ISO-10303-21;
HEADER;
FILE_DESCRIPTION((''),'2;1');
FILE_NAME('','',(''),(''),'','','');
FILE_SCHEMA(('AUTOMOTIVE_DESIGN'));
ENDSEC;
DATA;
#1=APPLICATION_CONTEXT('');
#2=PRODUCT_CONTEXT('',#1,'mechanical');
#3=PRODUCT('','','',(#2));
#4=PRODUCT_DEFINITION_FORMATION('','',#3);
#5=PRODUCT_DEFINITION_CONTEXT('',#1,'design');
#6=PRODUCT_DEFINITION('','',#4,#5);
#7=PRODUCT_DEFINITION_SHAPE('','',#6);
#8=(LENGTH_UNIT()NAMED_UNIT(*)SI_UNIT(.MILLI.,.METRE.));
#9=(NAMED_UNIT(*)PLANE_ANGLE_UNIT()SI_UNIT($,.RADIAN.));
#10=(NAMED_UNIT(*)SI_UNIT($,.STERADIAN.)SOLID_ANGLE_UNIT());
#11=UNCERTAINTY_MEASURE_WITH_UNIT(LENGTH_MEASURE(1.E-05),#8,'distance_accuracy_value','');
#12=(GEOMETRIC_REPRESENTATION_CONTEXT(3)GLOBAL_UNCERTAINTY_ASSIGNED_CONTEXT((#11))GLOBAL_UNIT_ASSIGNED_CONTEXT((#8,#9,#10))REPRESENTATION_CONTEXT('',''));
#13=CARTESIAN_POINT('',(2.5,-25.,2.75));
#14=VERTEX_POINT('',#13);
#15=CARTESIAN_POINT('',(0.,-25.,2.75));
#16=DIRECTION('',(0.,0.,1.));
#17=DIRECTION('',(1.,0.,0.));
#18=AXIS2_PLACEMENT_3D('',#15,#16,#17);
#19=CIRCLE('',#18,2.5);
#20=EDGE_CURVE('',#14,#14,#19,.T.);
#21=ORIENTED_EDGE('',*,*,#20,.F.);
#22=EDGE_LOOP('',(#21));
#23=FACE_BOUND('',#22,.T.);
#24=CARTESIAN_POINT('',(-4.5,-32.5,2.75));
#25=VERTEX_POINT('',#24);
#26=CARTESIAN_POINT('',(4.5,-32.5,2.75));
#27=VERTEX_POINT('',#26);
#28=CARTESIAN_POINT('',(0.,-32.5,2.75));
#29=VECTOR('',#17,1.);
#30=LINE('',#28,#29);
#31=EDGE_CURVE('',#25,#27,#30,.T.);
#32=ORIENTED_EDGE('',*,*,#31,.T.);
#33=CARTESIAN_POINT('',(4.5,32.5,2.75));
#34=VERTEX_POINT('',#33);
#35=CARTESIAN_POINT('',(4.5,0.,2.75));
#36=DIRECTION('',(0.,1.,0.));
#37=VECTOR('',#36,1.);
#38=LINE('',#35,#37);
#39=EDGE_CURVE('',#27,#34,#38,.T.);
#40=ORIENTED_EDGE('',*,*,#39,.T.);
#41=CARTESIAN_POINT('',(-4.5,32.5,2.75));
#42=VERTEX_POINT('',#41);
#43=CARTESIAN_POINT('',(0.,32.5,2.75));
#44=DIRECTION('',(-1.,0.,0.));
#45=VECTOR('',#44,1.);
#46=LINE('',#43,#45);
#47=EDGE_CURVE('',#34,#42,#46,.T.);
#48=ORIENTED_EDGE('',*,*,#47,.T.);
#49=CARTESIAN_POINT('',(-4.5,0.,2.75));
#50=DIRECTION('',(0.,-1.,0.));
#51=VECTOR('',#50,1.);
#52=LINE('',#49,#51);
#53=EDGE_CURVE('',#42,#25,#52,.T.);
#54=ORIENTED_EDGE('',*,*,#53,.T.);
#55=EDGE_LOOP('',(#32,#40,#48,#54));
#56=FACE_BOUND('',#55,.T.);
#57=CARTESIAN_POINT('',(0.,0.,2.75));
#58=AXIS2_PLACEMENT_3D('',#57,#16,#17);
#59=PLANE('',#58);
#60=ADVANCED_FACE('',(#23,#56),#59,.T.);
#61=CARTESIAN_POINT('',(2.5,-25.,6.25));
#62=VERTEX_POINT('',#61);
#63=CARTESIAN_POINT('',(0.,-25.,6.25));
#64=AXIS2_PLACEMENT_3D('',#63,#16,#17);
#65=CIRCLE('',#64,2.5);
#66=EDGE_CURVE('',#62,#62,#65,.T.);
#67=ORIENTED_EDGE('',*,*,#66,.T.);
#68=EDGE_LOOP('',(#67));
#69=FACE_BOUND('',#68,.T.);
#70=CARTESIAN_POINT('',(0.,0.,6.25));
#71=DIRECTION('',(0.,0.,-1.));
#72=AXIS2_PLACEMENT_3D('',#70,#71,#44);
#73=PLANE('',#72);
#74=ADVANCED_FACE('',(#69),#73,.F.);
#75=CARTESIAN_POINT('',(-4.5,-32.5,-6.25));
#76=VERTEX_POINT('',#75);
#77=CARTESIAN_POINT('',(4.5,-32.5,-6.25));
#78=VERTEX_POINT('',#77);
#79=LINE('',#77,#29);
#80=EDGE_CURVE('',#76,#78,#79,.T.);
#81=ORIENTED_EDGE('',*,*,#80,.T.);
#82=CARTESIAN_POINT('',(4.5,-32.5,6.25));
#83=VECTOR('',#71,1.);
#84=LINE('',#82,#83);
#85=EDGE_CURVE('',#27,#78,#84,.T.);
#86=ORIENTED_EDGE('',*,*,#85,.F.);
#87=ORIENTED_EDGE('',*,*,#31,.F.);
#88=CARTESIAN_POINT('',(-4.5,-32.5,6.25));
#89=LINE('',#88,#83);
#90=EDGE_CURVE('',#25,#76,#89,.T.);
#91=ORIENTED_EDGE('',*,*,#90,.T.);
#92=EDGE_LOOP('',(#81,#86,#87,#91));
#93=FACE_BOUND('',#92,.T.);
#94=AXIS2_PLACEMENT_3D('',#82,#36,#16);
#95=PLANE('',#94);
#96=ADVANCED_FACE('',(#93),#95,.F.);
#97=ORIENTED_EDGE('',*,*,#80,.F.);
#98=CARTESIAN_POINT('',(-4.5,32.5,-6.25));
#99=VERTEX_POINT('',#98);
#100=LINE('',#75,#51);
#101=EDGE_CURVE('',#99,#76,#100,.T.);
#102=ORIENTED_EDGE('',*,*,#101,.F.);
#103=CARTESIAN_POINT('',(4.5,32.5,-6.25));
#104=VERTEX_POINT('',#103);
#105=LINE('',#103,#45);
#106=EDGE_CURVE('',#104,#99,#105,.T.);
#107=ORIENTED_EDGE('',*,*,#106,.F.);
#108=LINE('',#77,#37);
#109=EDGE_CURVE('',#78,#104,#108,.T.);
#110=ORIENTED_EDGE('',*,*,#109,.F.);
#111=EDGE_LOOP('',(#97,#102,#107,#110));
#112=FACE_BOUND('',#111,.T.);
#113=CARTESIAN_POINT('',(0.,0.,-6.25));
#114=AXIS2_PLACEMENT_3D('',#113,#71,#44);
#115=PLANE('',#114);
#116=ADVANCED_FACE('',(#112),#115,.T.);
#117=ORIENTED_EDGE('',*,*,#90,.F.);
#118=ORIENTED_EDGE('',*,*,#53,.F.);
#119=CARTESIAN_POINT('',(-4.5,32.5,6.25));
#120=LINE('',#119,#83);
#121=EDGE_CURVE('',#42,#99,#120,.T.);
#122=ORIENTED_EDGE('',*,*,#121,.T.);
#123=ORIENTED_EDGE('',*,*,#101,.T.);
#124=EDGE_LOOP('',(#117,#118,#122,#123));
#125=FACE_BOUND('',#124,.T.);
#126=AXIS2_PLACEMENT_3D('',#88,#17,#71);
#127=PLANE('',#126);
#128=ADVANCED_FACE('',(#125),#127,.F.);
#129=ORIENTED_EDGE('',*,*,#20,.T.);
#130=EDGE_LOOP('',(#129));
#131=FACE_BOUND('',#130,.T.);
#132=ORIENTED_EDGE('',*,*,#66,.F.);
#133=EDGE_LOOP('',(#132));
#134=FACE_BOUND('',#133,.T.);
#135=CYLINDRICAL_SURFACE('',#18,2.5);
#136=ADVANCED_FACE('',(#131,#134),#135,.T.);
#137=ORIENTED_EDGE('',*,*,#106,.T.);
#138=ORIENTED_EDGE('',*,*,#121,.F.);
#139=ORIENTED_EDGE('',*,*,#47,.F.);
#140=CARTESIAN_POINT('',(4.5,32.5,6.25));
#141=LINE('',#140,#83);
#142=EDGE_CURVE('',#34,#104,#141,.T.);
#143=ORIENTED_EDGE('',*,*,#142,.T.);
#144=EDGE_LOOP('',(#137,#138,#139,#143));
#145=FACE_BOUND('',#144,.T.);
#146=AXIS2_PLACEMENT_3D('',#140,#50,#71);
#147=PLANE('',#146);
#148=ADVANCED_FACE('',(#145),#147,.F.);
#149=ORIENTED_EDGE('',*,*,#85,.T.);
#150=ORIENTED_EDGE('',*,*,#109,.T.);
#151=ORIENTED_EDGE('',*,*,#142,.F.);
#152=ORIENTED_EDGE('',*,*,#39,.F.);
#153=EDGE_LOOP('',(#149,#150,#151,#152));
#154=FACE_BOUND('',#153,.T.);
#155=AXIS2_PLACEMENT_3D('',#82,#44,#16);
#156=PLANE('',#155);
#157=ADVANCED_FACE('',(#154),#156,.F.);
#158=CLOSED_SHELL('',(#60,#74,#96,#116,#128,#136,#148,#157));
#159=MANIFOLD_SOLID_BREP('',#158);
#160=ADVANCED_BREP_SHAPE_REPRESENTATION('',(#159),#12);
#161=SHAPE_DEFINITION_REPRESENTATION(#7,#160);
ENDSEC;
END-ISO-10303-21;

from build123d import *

# Parameters (mm, degrees)
SKETCH1_W           = 65
SKETCH1_H           = 9
BOSS_EXTRUDE1_DEPTH = 6.25
SKETCH3_W           = 9
SKETCH3_H           = 65
SKETCH3_R           = 2.5
CUT_EXTRUDE2_DEPTH  = 3.5


with BuildPart() as part:
    # Sketch1 → Boss-Extrude1 (new, symmetric)
    with BuildSketch(Plane(origin=(0, 0, 0), x_dir=(0, 1, 0), z_dir=(0, 0, 1))):
        Rectangle(SKETCH1_W, SKETCH1_H)
    extrude(amount=BOSS_EXTRUDE1_DEPTH, both=True)

    # Sketch3 → Cut-Extrude2 (cut)
    with BuildSketch(Plane.XY.offset(6.25)):
        Rectangle(SKETCH3_W, SKETCH3_H)
        with Locations((0, -25)):
            Circle(SKETCH3_R, mode=Mode.SUBTRACT)
    extrude(amount=-CUT_EXTRUDE2_DEPTH, mode=Mode.SUBTRACT)


solid = part.part
